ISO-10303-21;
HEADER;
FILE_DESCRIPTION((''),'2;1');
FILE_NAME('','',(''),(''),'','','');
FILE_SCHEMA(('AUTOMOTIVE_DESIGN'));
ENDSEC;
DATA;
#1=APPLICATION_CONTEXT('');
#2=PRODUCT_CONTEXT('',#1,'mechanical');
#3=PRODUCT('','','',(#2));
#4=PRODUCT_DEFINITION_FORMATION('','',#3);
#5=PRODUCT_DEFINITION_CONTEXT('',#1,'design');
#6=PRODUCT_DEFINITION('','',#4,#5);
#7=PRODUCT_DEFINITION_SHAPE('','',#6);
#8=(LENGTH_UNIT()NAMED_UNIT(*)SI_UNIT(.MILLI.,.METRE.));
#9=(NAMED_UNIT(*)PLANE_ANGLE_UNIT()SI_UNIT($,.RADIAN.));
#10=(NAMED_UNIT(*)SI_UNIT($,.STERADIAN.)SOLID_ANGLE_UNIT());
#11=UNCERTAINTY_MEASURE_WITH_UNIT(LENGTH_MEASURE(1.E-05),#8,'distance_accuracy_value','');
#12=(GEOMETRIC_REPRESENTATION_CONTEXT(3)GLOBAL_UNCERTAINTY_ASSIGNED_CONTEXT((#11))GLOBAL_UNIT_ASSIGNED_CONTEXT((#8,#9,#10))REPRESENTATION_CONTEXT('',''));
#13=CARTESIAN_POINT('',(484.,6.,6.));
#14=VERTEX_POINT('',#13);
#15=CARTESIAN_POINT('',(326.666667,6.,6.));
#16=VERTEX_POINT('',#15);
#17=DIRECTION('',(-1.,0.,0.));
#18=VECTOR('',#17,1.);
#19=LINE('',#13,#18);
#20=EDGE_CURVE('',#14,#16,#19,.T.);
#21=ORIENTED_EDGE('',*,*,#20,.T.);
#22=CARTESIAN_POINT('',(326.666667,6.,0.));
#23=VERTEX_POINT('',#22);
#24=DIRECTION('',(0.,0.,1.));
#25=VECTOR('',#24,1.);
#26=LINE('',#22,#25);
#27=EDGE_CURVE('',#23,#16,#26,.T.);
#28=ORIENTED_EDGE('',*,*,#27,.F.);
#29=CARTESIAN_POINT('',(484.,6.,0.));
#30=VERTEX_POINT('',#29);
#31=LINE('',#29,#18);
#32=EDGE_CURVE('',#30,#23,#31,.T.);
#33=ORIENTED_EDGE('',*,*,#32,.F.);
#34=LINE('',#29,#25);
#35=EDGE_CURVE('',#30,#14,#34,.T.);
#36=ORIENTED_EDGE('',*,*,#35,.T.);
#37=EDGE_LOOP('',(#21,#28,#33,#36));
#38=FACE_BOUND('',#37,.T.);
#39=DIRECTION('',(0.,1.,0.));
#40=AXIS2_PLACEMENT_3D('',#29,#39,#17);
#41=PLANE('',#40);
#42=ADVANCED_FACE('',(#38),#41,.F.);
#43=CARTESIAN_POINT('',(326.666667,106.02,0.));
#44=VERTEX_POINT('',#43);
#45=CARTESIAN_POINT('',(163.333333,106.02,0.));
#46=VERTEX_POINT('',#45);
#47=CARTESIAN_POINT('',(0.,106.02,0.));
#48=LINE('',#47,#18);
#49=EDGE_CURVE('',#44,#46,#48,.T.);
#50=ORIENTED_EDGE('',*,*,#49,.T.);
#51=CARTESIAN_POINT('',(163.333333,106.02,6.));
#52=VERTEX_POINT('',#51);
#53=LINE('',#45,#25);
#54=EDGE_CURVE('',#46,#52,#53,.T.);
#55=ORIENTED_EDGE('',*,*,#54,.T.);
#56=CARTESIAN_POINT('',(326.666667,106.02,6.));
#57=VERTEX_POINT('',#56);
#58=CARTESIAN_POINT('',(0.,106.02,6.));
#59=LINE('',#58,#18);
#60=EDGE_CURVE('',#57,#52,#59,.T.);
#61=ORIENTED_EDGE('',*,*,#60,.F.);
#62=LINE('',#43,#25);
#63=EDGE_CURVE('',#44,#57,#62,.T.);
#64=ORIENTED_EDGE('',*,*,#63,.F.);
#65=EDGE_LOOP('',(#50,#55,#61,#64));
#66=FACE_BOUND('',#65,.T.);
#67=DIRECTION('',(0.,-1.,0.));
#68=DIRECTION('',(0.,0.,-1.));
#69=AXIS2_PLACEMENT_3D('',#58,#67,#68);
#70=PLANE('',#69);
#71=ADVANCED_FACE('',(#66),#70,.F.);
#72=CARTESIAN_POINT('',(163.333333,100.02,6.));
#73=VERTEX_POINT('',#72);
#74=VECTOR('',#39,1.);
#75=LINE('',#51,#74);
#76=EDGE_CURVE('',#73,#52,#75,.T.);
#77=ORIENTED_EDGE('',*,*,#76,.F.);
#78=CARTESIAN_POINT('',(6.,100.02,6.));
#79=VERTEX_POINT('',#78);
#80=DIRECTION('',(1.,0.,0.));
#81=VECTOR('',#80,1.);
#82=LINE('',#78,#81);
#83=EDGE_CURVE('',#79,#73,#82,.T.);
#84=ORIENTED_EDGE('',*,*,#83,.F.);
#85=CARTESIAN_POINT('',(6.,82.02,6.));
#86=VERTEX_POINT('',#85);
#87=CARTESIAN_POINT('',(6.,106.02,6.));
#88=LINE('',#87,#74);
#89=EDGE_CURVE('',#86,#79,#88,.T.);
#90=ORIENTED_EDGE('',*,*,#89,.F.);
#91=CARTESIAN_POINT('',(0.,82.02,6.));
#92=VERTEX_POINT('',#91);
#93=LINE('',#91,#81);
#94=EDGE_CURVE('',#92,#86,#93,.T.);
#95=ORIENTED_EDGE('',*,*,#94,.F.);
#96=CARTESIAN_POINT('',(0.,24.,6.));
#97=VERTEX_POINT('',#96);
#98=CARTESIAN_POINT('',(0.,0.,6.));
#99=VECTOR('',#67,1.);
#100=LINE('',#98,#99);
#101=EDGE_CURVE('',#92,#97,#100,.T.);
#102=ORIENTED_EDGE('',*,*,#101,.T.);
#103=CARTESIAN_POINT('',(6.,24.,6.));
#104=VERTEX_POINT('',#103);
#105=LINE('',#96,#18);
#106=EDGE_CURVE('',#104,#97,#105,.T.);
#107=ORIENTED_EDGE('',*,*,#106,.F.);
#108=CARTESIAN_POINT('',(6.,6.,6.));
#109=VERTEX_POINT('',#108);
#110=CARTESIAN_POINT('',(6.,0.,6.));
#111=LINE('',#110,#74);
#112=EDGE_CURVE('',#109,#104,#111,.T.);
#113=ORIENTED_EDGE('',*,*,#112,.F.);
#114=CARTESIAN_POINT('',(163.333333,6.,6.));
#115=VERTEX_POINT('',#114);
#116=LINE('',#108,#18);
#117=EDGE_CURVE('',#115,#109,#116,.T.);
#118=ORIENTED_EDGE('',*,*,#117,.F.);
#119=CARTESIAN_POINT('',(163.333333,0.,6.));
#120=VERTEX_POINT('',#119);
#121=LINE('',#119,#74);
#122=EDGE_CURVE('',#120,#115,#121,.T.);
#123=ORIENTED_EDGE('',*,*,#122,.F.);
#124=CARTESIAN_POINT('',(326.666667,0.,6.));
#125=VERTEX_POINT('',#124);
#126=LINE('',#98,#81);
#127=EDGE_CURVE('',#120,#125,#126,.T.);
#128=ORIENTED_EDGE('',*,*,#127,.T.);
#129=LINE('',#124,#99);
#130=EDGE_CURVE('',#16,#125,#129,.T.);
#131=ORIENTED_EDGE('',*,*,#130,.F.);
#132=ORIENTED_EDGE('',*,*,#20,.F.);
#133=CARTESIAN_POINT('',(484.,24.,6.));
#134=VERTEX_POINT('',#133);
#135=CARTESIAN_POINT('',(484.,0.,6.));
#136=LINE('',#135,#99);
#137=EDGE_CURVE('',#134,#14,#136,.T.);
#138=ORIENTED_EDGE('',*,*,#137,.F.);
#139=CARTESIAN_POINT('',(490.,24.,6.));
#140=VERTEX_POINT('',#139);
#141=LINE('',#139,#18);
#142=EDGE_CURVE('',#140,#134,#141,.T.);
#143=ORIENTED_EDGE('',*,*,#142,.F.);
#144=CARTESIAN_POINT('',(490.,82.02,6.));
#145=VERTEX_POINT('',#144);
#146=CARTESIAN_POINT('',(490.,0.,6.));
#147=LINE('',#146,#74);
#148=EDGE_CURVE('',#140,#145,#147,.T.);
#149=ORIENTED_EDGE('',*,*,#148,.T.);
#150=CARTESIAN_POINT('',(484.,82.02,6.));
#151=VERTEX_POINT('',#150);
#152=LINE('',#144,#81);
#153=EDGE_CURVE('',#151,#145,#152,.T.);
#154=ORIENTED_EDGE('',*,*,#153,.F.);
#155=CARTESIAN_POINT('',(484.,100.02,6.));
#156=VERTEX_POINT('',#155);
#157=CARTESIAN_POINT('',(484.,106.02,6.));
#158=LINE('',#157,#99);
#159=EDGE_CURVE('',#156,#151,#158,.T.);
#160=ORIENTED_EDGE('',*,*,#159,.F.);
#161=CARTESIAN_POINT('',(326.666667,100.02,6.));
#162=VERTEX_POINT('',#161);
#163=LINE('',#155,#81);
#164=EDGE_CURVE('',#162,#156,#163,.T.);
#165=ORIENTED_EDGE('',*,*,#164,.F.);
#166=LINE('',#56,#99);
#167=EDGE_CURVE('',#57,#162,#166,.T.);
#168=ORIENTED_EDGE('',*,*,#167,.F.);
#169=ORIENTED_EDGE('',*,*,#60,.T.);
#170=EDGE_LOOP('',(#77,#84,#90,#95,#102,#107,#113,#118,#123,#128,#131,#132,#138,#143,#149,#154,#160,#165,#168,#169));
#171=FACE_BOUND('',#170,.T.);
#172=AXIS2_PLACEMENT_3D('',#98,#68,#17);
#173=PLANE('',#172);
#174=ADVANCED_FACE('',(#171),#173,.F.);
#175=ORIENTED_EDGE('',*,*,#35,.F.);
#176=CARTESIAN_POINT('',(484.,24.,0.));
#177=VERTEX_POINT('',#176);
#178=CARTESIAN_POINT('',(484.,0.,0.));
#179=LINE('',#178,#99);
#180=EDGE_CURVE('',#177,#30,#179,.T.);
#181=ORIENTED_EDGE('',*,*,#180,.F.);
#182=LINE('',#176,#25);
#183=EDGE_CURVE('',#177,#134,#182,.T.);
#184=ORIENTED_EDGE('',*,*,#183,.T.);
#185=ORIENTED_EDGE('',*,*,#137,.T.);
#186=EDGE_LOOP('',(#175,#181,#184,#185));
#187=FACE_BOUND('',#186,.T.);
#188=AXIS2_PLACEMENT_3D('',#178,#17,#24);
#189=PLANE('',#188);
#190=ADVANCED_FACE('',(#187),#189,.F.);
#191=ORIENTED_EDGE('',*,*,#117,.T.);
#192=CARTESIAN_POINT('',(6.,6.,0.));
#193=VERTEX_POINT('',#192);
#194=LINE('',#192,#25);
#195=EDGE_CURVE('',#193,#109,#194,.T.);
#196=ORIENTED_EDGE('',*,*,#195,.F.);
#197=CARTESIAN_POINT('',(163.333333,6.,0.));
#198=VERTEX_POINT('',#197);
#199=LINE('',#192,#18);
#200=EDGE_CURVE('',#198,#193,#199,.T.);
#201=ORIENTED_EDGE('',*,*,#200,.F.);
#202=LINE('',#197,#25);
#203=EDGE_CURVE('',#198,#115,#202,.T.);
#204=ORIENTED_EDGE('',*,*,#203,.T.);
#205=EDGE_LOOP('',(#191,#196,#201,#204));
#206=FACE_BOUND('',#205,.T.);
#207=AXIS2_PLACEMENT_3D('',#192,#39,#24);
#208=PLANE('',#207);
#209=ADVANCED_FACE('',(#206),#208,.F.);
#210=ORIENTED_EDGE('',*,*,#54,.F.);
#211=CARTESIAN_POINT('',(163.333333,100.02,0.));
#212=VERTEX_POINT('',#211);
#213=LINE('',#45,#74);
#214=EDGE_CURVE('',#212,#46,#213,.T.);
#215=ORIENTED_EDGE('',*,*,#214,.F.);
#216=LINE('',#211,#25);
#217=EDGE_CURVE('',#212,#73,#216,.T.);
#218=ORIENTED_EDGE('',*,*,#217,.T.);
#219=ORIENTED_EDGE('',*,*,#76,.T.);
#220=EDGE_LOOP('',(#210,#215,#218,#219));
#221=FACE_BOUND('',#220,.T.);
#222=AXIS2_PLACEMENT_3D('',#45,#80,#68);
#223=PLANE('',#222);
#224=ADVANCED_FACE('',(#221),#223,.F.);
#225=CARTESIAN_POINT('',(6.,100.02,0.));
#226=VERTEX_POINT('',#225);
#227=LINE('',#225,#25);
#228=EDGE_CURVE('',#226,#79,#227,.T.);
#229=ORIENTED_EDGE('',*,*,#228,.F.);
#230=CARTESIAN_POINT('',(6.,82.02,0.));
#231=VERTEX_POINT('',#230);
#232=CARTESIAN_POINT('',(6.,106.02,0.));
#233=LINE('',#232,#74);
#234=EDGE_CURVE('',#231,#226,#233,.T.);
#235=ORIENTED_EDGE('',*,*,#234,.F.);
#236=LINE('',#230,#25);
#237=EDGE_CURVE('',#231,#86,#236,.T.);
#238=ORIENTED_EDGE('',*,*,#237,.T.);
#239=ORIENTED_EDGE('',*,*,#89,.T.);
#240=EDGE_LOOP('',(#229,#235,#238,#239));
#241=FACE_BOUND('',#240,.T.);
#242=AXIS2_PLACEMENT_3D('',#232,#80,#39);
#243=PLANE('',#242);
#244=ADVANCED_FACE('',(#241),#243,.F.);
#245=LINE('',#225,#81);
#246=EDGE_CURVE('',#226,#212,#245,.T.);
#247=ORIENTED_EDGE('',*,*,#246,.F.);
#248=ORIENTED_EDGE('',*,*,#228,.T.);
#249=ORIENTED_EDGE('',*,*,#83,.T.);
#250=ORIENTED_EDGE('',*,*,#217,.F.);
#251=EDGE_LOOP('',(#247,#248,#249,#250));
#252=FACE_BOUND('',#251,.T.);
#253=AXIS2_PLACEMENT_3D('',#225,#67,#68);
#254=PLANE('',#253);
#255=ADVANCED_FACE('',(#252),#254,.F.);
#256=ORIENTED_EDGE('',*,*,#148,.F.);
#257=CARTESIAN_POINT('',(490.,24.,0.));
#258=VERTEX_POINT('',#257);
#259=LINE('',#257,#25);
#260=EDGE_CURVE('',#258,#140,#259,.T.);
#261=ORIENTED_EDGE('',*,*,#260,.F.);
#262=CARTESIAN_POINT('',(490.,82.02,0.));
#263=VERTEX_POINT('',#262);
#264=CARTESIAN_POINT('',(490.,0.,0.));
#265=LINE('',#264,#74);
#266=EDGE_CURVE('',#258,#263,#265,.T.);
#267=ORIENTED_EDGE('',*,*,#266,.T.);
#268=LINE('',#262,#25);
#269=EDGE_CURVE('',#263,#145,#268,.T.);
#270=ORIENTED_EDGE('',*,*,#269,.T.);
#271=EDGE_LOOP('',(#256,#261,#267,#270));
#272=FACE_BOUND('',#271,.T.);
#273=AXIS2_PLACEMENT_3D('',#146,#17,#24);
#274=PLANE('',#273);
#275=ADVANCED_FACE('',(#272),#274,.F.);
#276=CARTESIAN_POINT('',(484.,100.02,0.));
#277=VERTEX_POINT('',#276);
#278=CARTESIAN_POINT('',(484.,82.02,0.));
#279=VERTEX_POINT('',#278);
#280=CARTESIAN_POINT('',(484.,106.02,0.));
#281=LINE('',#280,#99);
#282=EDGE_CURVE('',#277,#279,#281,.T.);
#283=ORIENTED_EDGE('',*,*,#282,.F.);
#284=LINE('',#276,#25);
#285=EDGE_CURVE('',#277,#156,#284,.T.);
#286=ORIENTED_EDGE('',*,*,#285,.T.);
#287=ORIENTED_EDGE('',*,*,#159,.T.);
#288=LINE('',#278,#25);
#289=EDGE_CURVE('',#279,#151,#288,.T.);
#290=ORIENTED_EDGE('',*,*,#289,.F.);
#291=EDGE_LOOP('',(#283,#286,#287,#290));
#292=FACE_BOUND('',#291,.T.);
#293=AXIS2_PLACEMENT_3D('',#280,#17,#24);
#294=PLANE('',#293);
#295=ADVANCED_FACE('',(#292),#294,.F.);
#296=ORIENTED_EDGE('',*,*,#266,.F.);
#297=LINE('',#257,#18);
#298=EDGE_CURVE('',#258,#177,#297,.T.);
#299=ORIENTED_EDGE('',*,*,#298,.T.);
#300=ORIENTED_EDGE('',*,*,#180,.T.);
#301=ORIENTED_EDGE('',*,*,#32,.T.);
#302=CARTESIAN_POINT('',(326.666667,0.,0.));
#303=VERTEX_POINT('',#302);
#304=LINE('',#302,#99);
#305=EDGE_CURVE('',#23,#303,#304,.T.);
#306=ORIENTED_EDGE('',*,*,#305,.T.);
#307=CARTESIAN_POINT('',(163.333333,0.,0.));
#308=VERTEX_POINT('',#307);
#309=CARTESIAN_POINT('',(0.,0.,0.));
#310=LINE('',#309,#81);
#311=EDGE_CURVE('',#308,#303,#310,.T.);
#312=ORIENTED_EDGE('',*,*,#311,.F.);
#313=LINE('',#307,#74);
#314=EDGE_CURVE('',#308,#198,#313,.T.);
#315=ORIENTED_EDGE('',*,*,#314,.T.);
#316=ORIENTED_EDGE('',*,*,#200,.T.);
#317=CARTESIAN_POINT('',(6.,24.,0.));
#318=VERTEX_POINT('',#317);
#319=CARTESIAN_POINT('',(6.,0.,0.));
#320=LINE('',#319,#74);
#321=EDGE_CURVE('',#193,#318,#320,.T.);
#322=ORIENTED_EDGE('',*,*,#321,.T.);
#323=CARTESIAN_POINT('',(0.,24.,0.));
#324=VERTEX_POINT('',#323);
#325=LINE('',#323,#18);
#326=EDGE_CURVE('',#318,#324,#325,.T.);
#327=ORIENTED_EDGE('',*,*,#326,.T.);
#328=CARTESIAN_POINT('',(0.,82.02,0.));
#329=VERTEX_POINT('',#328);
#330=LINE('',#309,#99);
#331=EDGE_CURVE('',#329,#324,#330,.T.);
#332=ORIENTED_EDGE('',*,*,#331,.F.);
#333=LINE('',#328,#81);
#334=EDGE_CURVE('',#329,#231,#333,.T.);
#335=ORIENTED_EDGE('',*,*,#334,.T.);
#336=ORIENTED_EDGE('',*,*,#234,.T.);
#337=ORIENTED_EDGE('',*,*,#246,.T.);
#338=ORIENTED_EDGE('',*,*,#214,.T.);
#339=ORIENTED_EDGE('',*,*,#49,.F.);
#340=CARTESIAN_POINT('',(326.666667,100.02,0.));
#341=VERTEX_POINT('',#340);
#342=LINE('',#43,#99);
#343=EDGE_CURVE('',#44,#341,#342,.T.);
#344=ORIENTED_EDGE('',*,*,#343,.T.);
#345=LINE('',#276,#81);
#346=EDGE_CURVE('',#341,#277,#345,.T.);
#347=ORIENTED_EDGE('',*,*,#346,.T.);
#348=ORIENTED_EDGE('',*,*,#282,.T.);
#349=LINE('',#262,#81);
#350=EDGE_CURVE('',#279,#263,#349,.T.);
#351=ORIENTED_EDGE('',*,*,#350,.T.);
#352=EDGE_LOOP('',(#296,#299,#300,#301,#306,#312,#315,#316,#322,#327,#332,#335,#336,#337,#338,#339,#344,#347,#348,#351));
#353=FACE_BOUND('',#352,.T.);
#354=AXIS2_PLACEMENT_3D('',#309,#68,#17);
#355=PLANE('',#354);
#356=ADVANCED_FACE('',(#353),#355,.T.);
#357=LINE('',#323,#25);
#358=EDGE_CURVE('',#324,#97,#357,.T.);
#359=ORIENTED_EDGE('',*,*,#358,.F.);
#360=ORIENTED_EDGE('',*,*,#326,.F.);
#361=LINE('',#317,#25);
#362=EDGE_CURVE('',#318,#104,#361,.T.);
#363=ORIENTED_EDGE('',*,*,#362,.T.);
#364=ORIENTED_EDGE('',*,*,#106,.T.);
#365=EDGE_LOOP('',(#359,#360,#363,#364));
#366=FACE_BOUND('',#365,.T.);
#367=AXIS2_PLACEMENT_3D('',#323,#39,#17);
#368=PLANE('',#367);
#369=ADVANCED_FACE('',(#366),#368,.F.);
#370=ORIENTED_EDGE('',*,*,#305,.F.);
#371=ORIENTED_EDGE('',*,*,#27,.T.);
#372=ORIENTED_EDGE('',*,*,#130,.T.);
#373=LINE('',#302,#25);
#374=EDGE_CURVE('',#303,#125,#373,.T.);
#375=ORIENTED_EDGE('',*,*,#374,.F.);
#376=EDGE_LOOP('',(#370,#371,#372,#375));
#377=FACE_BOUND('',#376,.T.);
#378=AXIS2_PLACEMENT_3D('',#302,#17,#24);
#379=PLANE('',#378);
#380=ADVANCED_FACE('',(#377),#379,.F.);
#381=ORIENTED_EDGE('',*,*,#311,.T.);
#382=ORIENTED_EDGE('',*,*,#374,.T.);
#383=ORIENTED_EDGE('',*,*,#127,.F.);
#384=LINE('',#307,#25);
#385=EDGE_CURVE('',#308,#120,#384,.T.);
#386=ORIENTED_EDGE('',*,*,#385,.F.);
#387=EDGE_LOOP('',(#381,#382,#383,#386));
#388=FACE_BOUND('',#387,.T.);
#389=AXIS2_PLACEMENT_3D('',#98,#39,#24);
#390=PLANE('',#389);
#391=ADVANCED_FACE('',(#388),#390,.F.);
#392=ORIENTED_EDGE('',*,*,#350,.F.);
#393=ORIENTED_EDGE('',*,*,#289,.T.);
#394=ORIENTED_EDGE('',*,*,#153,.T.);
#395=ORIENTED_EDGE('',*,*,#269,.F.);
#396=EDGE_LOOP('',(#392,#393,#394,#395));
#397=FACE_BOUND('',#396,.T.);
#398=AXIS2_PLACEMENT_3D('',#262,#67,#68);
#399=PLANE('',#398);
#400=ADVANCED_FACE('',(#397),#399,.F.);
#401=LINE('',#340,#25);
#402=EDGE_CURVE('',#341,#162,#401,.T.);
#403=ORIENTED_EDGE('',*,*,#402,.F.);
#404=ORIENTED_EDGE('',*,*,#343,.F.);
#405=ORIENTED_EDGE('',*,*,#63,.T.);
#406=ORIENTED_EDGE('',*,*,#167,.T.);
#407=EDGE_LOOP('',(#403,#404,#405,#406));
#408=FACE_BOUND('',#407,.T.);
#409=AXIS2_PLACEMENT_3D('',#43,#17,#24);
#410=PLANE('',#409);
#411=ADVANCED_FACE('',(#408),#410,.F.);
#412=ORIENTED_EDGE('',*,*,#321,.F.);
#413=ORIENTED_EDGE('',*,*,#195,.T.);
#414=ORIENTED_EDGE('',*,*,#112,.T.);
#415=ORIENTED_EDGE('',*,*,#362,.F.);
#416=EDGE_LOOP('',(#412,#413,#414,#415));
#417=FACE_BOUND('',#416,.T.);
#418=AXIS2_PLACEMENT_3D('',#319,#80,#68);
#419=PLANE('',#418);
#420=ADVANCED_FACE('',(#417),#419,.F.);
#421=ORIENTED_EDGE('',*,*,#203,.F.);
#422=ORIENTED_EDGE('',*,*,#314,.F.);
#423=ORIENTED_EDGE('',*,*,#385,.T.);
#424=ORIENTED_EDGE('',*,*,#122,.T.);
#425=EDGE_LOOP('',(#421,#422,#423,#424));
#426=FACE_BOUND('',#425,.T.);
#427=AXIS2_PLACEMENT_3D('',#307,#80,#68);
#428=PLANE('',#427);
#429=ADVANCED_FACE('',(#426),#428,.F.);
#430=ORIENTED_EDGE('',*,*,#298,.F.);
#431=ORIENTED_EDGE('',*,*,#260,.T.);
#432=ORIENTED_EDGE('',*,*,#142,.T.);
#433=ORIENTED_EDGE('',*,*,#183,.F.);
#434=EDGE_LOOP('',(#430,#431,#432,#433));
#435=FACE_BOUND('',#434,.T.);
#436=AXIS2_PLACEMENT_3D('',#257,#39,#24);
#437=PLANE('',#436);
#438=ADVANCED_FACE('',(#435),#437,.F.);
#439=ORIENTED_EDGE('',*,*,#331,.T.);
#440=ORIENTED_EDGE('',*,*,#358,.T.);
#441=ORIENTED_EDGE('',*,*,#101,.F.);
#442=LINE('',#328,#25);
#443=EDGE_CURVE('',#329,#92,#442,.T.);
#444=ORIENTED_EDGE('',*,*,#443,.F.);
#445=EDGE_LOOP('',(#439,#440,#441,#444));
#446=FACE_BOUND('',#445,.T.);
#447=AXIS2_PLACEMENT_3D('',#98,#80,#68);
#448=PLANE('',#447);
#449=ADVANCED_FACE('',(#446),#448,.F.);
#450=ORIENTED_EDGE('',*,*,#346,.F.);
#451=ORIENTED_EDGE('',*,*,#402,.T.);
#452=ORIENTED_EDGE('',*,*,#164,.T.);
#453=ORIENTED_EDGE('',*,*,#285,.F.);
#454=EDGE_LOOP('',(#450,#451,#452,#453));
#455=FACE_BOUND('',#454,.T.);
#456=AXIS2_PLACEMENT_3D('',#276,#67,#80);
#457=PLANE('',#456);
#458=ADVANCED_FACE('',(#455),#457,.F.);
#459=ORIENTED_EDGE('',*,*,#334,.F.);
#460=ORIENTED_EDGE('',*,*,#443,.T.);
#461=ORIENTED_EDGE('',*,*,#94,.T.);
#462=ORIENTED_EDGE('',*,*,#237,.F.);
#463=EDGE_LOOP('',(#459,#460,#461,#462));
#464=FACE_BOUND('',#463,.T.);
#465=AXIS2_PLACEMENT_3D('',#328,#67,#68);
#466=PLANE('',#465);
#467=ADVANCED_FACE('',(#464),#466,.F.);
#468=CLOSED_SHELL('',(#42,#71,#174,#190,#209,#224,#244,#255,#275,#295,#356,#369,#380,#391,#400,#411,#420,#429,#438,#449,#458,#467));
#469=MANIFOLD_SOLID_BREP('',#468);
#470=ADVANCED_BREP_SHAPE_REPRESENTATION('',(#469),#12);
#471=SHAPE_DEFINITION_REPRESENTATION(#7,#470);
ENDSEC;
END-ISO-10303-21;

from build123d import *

# Parameters (mm, degrees)
SKETCH1_W           = 490
SKETCH1_H           = 106.02
BOSS_EXTRUDE1_DEPTH = 6
SKETCH2_W           = 6
SKETCH2_H           = 24
CUT_EXTRUDE1_DEPTH  = 502.374351558
SKETCH3_W           = 157.333333333
SKETCH3_H           = 6
CUT_EXTRUDE2_DEPTH  = 502.374351558


with BuildPart() as part:
    # Sketch1 → Boss-Extrude1 (new body)
    with BuildSketch(Plane.XY):
        with Locations((245, 53.01)):
            Rectangle(SKETCH1_W, SKETCH1_H)
    extrude(amount=BOSS_EXTRUDE1_DEPTH)

    # Sketch2 → Cut-Extrude1 (cut, through all)
    with BuildSketch(Plane.XY.offset(6)):
        with Locations((487, 12)):
            Rectangle(SKETCH2_W, SKETCH2_H)
        with Locations((487, 94.02)):
            Rectangle(SKETCH2_W, SKETCH2_H)
        with Locations((3, 94.02)):
            Rectangle(SKETCH2_W, SKETCH2_H)
        with Locations((3, 12)):
            Rectangle(SKETCH2_W, SKETCH2_H)
    extrude(amount=-CUT_EXTRUDE1_DEPTH, mode=Mode.SUBTRACT)

    # Sketch3 → Cut-Extrude2 (cut, through all)
    with BuildSketch(Plane.XY.offset(6)):
        with Locations((84.666666667, 3)):
            Rectangle(SKETCH3_W, SKETCH3_H)
        with Locations((405.333333334, 3)):
            Rectangle(SKETCH3_W, SKETCH3_H)
        with Locations((84.666666667, 103.02)):
            Rectangle(SKETCH3_W, SKETCH3_H)
        with Locations((405.333333334, 103.02)):
            Rectangle(SKETCH3_W, SKETCH3_H)
    extrude(amount=-CUT_EXTRUDE2_DEPTH, mode=Mode.SUBTRACT)


solid = part.part
